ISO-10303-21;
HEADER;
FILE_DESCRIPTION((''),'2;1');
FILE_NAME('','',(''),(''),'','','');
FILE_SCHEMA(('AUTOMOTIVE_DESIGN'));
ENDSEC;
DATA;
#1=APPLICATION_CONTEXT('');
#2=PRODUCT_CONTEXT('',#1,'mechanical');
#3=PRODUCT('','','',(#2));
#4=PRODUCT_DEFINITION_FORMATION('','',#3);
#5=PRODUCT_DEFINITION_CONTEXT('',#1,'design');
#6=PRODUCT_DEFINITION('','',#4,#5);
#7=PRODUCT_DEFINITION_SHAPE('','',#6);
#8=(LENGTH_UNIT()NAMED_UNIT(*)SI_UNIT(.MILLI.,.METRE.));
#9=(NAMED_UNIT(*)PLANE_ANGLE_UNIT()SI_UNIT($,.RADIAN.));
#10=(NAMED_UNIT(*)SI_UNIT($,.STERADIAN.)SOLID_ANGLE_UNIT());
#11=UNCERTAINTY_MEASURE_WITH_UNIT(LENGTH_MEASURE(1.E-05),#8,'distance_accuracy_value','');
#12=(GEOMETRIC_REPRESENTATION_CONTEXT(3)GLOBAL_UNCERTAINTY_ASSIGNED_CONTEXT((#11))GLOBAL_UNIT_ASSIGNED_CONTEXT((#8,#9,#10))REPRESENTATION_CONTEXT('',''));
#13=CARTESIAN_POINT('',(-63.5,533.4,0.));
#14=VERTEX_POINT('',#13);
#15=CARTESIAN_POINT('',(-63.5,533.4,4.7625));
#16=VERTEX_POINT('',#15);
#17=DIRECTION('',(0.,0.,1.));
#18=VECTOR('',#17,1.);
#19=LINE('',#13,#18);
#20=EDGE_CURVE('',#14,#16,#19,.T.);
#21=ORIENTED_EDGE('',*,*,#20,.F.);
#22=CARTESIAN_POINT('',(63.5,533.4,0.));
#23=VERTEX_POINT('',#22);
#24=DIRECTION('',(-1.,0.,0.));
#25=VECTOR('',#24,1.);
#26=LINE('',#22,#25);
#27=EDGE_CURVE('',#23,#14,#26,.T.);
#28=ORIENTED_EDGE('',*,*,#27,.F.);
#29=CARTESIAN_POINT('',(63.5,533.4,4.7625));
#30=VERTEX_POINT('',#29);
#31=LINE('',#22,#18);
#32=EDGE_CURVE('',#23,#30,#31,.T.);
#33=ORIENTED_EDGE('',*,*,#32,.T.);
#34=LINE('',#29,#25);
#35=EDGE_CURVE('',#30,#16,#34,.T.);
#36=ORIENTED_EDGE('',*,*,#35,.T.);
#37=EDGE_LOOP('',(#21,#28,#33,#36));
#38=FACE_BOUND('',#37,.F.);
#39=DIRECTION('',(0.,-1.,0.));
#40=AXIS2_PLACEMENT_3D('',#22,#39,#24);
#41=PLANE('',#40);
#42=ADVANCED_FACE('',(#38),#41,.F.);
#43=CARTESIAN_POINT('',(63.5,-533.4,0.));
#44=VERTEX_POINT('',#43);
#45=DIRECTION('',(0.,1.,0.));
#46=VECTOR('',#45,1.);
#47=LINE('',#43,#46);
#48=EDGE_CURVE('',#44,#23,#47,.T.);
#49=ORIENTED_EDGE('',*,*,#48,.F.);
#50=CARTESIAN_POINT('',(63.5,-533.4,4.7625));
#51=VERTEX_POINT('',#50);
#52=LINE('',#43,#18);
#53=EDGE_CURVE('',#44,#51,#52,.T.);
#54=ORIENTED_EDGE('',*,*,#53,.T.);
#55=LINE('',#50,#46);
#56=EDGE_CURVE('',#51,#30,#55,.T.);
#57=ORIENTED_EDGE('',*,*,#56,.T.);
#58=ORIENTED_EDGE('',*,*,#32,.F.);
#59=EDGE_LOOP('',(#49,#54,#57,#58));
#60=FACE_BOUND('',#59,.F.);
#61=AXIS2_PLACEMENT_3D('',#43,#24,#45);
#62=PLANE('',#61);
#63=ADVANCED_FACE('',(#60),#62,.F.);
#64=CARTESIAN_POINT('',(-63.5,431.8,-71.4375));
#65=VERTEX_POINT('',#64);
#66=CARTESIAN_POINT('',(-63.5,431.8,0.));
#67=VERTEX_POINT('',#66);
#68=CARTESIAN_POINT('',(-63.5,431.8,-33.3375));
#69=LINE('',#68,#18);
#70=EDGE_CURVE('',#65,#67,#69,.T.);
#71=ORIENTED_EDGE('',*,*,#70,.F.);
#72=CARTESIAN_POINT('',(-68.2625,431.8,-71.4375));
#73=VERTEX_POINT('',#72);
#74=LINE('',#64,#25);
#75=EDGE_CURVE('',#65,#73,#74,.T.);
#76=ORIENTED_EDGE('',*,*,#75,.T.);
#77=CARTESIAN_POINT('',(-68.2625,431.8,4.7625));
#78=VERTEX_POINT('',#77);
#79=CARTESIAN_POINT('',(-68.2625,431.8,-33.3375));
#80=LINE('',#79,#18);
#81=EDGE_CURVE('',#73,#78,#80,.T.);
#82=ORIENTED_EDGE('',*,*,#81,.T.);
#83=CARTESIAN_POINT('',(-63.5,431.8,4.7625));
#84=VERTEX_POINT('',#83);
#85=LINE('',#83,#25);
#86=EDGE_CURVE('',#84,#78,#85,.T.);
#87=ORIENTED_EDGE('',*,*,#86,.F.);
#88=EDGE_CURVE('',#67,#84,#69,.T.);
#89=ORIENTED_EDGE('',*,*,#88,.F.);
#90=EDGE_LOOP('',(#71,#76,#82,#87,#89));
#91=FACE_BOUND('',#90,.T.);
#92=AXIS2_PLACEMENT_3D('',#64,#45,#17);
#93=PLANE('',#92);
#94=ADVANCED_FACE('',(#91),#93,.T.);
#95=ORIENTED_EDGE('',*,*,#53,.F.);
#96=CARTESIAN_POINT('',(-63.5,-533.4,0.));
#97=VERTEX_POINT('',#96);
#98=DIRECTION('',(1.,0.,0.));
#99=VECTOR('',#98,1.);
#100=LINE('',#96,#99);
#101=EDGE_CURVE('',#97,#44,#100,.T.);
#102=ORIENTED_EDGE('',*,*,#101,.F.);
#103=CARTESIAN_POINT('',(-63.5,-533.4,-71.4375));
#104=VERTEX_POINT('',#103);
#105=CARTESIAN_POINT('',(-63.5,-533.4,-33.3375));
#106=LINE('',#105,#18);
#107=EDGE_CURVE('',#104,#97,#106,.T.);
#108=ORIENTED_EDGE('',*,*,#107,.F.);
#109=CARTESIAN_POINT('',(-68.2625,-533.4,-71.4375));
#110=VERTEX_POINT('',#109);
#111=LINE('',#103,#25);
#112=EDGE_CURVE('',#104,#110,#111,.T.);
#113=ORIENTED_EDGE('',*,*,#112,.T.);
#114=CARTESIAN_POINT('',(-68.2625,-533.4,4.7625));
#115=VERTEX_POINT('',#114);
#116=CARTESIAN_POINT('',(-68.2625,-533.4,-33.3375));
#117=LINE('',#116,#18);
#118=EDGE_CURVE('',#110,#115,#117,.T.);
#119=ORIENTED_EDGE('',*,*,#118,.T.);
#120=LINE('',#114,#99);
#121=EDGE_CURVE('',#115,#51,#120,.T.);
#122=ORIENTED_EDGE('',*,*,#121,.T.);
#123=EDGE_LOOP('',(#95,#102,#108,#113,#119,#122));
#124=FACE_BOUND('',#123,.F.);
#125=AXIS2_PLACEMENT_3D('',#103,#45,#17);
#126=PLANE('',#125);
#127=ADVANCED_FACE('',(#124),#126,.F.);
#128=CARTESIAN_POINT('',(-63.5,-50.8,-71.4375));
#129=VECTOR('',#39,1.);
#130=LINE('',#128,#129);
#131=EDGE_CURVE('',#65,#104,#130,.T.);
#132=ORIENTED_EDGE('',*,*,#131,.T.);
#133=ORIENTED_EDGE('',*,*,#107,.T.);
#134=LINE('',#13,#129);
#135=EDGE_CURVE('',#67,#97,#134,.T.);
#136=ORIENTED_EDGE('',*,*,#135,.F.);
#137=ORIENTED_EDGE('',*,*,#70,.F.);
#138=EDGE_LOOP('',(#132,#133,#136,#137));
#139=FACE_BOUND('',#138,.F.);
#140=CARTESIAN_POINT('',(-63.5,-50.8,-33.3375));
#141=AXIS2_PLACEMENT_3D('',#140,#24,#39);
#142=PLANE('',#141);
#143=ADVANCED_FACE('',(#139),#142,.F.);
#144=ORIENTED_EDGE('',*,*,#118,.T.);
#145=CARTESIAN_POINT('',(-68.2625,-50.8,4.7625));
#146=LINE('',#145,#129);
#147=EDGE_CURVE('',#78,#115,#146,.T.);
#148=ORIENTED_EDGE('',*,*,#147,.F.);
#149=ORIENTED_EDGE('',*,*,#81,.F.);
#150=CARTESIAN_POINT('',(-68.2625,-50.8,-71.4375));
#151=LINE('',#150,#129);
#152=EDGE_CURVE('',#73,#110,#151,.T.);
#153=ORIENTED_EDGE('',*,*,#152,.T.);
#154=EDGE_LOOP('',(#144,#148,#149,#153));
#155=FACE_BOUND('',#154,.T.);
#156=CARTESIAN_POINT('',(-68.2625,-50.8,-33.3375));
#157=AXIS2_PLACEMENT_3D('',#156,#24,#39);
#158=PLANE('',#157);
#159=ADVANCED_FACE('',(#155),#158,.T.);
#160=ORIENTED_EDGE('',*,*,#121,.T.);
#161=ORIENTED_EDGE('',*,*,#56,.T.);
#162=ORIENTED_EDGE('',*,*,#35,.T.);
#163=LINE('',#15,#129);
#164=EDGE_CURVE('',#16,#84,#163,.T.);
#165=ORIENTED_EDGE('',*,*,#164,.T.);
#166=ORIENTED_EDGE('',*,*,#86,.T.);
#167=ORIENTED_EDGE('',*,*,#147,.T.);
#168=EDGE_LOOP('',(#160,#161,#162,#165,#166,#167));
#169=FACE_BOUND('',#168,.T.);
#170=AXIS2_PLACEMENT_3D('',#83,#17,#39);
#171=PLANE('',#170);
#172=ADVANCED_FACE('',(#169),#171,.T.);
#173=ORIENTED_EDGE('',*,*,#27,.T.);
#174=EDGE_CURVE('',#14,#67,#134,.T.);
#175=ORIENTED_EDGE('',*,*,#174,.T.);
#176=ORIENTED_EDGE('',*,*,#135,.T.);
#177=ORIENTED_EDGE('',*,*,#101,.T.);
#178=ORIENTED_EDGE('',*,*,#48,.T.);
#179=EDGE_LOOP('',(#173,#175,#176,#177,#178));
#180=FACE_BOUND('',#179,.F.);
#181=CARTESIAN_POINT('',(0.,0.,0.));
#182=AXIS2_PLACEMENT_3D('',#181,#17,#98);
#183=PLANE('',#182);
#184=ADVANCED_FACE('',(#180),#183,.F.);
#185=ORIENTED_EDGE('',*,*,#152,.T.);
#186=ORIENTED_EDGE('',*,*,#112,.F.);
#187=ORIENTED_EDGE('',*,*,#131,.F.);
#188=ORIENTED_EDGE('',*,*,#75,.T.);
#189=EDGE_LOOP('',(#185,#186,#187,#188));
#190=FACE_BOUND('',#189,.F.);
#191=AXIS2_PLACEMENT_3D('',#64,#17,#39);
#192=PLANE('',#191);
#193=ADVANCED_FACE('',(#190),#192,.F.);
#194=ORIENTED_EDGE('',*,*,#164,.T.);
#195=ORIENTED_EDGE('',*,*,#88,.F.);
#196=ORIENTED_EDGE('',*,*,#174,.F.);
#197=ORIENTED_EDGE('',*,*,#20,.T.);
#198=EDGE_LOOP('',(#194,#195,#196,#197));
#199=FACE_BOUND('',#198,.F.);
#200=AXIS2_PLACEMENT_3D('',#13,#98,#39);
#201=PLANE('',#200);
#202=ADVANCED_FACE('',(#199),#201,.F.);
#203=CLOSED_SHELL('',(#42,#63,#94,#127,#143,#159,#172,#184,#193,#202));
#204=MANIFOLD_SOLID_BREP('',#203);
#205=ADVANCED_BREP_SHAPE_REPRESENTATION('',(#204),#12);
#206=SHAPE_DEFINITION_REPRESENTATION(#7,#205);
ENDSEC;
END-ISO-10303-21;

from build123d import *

# Parameters (mm, degrees)
F1_DEPTH = 4.7625
F2_W     = 965.2
F2_H     = 76.2
F3_DEPTH = 4.7625


with BuildPart() as f1:
    # F0 (on Top) → F1 (new body)
    with BuildSketch(Plane.XY):
        Polygon((63.5, -381), (63.5, 533.4), (-63.5, 533.4), (-63.5, -533.4), (63.5, -533.4), align=None)
    extrude(amount=F1_DEPTH)

    # F2 (on face) → F3 (join)
    with BuildSketch(Plane(origin=(-63.5, 0, 0), x_dir=(0, -1, 0), z_dir=(-1, 0, 0))):
        with Locations((50.8, -33.3375)):
            Rectangle(F2_W, F2_H)
    extrude(amount=F3_DEPTH)


solid = f1.part
